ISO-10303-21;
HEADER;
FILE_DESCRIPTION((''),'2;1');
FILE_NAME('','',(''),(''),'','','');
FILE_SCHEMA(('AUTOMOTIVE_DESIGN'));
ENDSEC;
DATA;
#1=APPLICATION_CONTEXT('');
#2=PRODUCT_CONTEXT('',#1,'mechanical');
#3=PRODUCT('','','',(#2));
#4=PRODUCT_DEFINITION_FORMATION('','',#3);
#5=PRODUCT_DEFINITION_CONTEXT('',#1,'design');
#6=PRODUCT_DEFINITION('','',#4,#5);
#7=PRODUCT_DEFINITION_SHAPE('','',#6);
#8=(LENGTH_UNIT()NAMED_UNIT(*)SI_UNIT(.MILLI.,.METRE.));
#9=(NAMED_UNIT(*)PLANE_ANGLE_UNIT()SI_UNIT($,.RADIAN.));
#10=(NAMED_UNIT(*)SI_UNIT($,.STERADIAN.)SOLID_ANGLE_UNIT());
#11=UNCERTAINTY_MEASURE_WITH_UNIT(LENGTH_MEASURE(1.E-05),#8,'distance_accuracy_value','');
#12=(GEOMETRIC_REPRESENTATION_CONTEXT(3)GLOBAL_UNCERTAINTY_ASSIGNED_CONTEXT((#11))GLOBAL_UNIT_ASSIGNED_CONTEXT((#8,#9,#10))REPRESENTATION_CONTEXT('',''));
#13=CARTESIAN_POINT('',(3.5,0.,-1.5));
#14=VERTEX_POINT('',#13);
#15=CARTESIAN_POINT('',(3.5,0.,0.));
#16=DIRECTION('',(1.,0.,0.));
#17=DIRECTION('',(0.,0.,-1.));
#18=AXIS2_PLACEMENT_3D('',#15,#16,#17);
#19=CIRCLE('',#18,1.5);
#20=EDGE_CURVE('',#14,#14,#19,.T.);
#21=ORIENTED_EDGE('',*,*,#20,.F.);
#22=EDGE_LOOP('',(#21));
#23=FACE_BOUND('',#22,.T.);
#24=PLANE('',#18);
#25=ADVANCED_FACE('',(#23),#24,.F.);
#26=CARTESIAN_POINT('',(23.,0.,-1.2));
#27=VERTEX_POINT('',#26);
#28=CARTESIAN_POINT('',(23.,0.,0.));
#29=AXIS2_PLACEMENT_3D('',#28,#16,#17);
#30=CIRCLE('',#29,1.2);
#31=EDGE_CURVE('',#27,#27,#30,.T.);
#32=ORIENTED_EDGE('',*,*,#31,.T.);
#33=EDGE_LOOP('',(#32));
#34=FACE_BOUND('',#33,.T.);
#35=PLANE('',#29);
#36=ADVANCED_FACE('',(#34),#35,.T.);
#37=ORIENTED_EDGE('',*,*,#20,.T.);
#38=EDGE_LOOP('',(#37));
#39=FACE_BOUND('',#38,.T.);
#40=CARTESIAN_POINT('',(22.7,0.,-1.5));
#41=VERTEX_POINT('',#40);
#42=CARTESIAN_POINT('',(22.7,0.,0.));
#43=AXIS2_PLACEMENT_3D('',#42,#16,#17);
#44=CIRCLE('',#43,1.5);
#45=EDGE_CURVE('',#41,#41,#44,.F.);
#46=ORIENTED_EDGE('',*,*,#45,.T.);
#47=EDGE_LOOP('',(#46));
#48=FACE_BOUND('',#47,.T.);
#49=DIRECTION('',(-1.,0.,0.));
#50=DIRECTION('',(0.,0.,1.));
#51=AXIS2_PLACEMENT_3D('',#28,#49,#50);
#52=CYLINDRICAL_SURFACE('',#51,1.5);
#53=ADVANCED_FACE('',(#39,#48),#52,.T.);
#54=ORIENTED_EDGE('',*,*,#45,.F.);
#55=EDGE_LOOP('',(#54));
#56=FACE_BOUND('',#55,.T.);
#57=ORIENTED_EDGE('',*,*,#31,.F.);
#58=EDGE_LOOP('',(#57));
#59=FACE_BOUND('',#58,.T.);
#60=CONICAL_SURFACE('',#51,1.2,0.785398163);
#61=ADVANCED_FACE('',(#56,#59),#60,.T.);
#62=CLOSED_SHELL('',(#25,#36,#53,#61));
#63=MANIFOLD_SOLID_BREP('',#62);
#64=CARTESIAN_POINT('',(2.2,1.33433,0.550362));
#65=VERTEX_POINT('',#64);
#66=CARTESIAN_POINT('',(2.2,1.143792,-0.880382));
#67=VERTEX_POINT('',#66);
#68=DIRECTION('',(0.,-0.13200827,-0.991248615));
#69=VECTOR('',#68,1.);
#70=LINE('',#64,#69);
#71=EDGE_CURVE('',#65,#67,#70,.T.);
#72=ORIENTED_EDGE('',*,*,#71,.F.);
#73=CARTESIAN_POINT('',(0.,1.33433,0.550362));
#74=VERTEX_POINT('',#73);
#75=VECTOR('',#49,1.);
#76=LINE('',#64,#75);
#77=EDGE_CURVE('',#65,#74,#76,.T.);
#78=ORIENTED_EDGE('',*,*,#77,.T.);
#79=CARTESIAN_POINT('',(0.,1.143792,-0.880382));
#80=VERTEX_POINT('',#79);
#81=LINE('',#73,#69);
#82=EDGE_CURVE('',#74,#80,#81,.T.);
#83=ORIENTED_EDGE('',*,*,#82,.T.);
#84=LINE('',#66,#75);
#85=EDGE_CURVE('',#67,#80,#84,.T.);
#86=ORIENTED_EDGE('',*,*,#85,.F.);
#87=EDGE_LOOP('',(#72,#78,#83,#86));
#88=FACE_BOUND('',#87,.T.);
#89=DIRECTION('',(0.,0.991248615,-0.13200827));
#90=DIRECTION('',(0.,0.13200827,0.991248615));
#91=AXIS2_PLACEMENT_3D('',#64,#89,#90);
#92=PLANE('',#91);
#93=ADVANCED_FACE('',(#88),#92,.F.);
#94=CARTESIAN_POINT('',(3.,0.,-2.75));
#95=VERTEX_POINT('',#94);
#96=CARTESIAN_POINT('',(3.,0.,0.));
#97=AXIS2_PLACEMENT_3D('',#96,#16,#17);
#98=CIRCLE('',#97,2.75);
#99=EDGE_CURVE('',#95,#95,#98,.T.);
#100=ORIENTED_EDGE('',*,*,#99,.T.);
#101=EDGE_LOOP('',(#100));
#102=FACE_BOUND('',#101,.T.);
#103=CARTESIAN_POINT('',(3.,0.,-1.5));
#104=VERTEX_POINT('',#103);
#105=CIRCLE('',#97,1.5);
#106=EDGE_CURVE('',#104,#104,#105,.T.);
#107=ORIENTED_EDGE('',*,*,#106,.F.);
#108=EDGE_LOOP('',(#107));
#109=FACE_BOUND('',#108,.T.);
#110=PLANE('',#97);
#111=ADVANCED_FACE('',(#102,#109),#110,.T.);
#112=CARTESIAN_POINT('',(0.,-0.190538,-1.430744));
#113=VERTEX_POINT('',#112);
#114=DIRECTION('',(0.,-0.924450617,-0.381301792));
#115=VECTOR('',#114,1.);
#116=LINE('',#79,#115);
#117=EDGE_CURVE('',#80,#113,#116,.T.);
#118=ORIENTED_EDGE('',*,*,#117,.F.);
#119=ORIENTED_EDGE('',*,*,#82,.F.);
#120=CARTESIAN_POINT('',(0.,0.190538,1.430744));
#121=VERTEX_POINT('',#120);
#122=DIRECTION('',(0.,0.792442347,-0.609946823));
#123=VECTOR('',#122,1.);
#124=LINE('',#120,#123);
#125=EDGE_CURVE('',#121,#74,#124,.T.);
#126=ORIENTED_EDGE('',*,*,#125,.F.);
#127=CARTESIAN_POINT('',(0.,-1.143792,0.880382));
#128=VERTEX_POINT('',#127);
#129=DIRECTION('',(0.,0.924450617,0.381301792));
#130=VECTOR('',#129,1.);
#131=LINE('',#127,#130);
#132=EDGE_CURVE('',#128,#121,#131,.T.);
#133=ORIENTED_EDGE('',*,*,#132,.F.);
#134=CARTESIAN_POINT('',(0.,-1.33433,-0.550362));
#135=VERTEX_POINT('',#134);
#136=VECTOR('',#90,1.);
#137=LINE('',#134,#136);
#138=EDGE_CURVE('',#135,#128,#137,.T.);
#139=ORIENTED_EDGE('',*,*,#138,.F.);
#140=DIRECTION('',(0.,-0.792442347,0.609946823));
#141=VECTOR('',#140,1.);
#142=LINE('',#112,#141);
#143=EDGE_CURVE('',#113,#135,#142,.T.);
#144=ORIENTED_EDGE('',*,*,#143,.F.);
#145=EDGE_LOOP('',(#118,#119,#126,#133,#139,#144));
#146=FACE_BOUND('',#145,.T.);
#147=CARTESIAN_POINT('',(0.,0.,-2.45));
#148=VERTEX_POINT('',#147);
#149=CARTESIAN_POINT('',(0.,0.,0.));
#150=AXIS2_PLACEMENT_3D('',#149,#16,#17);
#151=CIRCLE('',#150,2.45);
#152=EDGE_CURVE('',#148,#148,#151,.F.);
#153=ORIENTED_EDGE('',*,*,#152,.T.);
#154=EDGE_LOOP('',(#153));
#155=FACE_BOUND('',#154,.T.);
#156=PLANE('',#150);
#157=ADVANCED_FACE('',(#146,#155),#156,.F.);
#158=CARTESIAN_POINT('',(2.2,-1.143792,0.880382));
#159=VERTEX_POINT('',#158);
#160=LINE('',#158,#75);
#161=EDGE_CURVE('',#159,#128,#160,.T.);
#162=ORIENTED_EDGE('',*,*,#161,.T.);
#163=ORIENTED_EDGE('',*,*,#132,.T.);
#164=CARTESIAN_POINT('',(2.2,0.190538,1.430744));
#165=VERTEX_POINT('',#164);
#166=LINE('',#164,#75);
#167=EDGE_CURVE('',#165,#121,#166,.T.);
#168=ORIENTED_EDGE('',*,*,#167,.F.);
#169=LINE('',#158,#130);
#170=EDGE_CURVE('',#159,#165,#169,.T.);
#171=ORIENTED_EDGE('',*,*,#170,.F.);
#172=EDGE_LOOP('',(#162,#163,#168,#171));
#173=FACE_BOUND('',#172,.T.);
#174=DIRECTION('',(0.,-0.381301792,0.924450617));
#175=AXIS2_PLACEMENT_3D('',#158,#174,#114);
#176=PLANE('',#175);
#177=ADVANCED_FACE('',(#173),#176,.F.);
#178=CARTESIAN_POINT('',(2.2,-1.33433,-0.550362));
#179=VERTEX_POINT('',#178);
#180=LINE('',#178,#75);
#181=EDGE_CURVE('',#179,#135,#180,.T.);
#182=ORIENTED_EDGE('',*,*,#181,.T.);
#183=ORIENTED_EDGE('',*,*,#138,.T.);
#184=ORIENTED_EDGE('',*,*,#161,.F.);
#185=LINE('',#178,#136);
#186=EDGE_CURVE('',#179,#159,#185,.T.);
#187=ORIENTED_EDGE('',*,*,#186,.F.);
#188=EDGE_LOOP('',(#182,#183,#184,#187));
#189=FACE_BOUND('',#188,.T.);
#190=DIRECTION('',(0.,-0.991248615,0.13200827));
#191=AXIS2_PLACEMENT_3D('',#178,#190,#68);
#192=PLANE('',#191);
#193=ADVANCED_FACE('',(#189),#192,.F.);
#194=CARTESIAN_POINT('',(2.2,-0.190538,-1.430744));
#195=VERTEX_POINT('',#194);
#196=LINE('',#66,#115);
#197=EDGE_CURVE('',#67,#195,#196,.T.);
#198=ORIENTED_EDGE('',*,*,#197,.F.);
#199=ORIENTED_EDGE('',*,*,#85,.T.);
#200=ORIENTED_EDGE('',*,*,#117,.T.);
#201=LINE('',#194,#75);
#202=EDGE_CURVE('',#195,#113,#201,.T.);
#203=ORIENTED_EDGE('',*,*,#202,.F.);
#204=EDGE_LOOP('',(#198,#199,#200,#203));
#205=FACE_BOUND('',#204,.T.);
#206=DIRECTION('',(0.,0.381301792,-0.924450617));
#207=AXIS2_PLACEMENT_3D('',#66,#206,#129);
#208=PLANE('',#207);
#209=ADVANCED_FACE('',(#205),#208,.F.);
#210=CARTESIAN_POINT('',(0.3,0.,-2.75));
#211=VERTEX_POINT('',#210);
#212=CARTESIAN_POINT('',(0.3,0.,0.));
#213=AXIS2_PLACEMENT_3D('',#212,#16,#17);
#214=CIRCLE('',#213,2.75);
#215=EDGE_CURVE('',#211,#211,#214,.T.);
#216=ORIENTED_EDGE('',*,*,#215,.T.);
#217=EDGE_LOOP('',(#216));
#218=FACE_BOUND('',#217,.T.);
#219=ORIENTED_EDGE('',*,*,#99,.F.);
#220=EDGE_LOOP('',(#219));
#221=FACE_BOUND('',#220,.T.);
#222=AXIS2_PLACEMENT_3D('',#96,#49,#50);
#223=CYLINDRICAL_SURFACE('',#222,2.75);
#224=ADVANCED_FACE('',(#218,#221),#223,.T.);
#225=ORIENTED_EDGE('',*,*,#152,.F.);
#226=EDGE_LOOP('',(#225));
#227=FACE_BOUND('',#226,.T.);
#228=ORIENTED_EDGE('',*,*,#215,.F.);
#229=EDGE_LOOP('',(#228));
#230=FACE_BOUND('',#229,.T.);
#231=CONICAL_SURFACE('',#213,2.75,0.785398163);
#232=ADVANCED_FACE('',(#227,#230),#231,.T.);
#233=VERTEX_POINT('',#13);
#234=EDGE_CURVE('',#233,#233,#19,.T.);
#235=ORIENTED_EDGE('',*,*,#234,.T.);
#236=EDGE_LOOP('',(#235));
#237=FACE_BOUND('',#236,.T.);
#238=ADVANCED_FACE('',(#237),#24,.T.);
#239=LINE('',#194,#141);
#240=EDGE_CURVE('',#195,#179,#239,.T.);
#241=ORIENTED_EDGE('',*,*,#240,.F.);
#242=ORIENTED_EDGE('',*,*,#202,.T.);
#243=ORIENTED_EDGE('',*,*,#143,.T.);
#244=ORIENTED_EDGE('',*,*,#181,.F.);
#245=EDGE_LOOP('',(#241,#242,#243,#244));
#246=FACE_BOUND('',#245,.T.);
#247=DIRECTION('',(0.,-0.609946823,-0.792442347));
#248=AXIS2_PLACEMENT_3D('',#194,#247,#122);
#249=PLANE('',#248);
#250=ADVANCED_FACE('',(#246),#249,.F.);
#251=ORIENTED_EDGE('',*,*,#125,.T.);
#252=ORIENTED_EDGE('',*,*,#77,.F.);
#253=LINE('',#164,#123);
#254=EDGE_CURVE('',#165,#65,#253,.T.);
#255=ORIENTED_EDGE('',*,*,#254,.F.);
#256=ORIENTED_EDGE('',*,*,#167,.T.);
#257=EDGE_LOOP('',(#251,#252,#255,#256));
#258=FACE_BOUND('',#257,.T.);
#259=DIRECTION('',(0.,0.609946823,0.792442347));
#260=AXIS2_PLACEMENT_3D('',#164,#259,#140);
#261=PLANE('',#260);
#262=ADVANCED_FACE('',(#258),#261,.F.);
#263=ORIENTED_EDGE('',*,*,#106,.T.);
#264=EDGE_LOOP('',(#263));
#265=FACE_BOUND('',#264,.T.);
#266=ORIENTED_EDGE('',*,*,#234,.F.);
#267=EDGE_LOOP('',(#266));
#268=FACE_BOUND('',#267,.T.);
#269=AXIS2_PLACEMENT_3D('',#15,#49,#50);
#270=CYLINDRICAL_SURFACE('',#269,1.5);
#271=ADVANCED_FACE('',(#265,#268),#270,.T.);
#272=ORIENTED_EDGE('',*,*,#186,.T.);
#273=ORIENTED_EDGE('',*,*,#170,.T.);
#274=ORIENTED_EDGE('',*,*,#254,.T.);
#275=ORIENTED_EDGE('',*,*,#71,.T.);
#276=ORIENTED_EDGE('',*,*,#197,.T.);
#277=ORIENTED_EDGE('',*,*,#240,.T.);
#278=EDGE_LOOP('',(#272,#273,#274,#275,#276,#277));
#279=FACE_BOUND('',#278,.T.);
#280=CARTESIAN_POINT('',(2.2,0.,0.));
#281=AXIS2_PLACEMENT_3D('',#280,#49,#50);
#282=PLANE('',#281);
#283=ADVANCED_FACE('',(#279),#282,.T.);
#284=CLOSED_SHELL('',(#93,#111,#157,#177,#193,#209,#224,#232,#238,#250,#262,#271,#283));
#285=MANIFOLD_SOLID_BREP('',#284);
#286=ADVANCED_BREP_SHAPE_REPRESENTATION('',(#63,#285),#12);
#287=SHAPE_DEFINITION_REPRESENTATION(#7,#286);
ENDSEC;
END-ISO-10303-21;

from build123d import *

# Parameters (mm, degrees)
SKETCH_1_R          = 2.75
EXTRUDE_1_DEPTH     = 3
SKETCH_2_R          = 1.5
EXTRUDE_2_DEPTH     = 0.5
CHAMFER_2_SIZE      = 0.3
CUT_EXTRUDE_1_DEPTH = 2.2
SKETCH_11_R         = 1.5
EXTRUDE_6_DEPTH     = 19.5
CHAMFER_3_SIZE      = 0.3


with BuildPart() as part:
    # 草图1 → 凸台-拉伸1 (new body)
    with BuildSketch(Plane(origin=(0, 0, 0), x_dir=(0, 0, -1), z_dir=(1, 0, 0))):
        Circle(SKETCH_1_R)
    extrude(amount=EXTRUDE_1_DEPTH)

    # 草图2 → 凸台-拉伸2 (add)
    with BuildSketch(Plane(origin=(3, 0, 0), x_dir=(0, 0, -1), z_dir=(1, 0, 0))):
        Circle(SKETCH_2_R)
    extrude(amount=EXTRUDE_2_DEPTH)

    # 倒角2
    chamfer_2_edges = [part.edges().sort_by_distance(p)[0] for p in [
        (0, 0, 2.75),
    ]]
    chamfer(chamfer_2_edges, length=CHAMFER_2_SIZE)

    # 草图5 → 切除-拉伸1 (cut)
    with BuildSketch(Plane.ZY):
        Polygon((1.430744137, 0.190537526), (0.550361731, 1.334329531), (-0.880382406, 1.143792006), (-1.430744137, -0.190537526), (-0.550361731, -1.334329531), (0.880382406, -1.143792006), align=None)
    extrude(amount=-CUT_EXTRUDE_1_DEPTH, mode=Mode.SUBTRACT)


with BuildPart() as body_2:
    # 草图11 → 凸台-拉伸6 (new body)
    with BuildSketch(Plane(origin=(3.5, 0, 0), x_dir=(0, 0, -1), z_dir=(1, 0, 0))):
        Circle(SKETCH_11_R)
    extrude(amount=EXTRUDE_6_DEPTH)

    # 倒角3
    chamfer_3_edges = [body_2.edges().sort_by_distance(p)[0] for p in [
        (23, 0, 1.5),
    ]]
    chamfer(chamfer_3_edges, length=CHAMFER_3_SIZE)


solid = Compound([part.part, body_2.part])
